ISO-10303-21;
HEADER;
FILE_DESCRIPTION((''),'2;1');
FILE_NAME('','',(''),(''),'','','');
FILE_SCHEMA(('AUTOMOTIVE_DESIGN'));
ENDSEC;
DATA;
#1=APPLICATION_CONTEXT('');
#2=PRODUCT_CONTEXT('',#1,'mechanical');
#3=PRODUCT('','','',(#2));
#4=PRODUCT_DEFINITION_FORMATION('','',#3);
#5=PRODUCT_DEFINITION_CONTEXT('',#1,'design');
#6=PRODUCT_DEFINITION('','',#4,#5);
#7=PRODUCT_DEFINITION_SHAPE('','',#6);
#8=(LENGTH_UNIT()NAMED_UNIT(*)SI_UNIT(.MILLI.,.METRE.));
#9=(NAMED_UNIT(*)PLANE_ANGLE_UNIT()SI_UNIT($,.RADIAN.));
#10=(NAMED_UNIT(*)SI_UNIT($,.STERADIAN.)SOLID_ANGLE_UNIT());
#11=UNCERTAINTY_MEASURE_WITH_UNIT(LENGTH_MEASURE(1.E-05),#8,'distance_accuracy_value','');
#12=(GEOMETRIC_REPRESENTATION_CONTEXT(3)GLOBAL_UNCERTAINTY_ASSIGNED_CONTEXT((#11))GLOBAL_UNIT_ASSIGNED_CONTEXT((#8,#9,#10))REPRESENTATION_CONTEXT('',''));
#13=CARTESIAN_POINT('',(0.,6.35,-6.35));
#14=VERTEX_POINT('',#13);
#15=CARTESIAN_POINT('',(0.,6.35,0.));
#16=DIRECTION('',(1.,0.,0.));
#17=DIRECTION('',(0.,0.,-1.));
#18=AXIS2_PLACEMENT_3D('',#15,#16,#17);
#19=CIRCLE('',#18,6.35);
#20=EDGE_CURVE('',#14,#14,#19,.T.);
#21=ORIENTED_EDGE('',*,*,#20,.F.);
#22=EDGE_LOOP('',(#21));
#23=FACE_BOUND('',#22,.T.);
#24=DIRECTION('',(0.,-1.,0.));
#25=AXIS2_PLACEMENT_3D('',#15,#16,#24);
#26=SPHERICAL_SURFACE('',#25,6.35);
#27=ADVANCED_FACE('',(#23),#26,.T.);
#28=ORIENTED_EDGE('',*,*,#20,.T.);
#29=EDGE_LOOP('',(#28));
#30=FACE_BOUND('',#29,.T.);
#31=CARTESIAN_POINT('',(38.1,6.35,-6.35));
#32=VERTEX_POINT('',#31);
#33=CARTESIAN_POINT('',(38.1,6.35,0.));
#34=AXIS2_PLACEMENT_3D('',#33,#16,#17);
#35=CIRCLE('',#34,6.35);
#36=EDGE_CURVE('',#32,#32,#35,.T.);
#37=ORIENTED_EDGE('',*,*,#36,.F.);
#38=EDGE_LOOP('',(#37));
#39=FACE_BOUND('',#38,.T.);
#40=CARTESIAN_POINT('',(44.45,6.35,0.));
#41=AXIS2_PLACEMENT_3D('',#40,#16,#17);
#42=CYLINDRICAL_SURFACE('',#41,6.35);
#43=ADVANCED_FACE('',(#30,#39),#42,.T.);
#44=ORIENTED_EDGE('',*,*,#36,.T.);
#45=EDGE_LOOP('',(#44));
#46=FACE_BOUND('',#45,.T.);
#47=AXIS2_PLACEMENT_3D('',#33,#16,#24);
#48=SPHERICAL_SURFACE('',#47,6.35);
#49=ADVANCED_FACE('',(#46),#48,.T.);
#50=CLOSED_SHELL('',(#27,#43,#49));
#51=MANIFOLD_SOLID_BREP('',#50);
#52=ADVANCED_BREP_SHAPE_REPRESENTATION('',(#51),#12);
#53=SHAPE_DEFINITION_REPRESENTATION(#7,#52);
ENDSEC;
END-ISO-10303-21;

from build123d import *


with BuildPart() as part:
    # Sketch1 → Revolve1 (revolve)
    with BuildSketch(Plane.XY):
        with BuildLine():
            Line((0, 0), (38.1, 0))
            ThreePointArc((38.1, 0), (42.590128061, 1.859871939), (44.45, 6.35))
            Line((44.45, 6.35), (-6.35, 6.35))
            ThreePointArc((-6.35, 6.35), (-4.490128061, 1.859871939), (0, 0))
        make_face()
    revolve(axis=Axis((44.45, 6.35, 0), (-1, 0, 0)))


solid = part.part
